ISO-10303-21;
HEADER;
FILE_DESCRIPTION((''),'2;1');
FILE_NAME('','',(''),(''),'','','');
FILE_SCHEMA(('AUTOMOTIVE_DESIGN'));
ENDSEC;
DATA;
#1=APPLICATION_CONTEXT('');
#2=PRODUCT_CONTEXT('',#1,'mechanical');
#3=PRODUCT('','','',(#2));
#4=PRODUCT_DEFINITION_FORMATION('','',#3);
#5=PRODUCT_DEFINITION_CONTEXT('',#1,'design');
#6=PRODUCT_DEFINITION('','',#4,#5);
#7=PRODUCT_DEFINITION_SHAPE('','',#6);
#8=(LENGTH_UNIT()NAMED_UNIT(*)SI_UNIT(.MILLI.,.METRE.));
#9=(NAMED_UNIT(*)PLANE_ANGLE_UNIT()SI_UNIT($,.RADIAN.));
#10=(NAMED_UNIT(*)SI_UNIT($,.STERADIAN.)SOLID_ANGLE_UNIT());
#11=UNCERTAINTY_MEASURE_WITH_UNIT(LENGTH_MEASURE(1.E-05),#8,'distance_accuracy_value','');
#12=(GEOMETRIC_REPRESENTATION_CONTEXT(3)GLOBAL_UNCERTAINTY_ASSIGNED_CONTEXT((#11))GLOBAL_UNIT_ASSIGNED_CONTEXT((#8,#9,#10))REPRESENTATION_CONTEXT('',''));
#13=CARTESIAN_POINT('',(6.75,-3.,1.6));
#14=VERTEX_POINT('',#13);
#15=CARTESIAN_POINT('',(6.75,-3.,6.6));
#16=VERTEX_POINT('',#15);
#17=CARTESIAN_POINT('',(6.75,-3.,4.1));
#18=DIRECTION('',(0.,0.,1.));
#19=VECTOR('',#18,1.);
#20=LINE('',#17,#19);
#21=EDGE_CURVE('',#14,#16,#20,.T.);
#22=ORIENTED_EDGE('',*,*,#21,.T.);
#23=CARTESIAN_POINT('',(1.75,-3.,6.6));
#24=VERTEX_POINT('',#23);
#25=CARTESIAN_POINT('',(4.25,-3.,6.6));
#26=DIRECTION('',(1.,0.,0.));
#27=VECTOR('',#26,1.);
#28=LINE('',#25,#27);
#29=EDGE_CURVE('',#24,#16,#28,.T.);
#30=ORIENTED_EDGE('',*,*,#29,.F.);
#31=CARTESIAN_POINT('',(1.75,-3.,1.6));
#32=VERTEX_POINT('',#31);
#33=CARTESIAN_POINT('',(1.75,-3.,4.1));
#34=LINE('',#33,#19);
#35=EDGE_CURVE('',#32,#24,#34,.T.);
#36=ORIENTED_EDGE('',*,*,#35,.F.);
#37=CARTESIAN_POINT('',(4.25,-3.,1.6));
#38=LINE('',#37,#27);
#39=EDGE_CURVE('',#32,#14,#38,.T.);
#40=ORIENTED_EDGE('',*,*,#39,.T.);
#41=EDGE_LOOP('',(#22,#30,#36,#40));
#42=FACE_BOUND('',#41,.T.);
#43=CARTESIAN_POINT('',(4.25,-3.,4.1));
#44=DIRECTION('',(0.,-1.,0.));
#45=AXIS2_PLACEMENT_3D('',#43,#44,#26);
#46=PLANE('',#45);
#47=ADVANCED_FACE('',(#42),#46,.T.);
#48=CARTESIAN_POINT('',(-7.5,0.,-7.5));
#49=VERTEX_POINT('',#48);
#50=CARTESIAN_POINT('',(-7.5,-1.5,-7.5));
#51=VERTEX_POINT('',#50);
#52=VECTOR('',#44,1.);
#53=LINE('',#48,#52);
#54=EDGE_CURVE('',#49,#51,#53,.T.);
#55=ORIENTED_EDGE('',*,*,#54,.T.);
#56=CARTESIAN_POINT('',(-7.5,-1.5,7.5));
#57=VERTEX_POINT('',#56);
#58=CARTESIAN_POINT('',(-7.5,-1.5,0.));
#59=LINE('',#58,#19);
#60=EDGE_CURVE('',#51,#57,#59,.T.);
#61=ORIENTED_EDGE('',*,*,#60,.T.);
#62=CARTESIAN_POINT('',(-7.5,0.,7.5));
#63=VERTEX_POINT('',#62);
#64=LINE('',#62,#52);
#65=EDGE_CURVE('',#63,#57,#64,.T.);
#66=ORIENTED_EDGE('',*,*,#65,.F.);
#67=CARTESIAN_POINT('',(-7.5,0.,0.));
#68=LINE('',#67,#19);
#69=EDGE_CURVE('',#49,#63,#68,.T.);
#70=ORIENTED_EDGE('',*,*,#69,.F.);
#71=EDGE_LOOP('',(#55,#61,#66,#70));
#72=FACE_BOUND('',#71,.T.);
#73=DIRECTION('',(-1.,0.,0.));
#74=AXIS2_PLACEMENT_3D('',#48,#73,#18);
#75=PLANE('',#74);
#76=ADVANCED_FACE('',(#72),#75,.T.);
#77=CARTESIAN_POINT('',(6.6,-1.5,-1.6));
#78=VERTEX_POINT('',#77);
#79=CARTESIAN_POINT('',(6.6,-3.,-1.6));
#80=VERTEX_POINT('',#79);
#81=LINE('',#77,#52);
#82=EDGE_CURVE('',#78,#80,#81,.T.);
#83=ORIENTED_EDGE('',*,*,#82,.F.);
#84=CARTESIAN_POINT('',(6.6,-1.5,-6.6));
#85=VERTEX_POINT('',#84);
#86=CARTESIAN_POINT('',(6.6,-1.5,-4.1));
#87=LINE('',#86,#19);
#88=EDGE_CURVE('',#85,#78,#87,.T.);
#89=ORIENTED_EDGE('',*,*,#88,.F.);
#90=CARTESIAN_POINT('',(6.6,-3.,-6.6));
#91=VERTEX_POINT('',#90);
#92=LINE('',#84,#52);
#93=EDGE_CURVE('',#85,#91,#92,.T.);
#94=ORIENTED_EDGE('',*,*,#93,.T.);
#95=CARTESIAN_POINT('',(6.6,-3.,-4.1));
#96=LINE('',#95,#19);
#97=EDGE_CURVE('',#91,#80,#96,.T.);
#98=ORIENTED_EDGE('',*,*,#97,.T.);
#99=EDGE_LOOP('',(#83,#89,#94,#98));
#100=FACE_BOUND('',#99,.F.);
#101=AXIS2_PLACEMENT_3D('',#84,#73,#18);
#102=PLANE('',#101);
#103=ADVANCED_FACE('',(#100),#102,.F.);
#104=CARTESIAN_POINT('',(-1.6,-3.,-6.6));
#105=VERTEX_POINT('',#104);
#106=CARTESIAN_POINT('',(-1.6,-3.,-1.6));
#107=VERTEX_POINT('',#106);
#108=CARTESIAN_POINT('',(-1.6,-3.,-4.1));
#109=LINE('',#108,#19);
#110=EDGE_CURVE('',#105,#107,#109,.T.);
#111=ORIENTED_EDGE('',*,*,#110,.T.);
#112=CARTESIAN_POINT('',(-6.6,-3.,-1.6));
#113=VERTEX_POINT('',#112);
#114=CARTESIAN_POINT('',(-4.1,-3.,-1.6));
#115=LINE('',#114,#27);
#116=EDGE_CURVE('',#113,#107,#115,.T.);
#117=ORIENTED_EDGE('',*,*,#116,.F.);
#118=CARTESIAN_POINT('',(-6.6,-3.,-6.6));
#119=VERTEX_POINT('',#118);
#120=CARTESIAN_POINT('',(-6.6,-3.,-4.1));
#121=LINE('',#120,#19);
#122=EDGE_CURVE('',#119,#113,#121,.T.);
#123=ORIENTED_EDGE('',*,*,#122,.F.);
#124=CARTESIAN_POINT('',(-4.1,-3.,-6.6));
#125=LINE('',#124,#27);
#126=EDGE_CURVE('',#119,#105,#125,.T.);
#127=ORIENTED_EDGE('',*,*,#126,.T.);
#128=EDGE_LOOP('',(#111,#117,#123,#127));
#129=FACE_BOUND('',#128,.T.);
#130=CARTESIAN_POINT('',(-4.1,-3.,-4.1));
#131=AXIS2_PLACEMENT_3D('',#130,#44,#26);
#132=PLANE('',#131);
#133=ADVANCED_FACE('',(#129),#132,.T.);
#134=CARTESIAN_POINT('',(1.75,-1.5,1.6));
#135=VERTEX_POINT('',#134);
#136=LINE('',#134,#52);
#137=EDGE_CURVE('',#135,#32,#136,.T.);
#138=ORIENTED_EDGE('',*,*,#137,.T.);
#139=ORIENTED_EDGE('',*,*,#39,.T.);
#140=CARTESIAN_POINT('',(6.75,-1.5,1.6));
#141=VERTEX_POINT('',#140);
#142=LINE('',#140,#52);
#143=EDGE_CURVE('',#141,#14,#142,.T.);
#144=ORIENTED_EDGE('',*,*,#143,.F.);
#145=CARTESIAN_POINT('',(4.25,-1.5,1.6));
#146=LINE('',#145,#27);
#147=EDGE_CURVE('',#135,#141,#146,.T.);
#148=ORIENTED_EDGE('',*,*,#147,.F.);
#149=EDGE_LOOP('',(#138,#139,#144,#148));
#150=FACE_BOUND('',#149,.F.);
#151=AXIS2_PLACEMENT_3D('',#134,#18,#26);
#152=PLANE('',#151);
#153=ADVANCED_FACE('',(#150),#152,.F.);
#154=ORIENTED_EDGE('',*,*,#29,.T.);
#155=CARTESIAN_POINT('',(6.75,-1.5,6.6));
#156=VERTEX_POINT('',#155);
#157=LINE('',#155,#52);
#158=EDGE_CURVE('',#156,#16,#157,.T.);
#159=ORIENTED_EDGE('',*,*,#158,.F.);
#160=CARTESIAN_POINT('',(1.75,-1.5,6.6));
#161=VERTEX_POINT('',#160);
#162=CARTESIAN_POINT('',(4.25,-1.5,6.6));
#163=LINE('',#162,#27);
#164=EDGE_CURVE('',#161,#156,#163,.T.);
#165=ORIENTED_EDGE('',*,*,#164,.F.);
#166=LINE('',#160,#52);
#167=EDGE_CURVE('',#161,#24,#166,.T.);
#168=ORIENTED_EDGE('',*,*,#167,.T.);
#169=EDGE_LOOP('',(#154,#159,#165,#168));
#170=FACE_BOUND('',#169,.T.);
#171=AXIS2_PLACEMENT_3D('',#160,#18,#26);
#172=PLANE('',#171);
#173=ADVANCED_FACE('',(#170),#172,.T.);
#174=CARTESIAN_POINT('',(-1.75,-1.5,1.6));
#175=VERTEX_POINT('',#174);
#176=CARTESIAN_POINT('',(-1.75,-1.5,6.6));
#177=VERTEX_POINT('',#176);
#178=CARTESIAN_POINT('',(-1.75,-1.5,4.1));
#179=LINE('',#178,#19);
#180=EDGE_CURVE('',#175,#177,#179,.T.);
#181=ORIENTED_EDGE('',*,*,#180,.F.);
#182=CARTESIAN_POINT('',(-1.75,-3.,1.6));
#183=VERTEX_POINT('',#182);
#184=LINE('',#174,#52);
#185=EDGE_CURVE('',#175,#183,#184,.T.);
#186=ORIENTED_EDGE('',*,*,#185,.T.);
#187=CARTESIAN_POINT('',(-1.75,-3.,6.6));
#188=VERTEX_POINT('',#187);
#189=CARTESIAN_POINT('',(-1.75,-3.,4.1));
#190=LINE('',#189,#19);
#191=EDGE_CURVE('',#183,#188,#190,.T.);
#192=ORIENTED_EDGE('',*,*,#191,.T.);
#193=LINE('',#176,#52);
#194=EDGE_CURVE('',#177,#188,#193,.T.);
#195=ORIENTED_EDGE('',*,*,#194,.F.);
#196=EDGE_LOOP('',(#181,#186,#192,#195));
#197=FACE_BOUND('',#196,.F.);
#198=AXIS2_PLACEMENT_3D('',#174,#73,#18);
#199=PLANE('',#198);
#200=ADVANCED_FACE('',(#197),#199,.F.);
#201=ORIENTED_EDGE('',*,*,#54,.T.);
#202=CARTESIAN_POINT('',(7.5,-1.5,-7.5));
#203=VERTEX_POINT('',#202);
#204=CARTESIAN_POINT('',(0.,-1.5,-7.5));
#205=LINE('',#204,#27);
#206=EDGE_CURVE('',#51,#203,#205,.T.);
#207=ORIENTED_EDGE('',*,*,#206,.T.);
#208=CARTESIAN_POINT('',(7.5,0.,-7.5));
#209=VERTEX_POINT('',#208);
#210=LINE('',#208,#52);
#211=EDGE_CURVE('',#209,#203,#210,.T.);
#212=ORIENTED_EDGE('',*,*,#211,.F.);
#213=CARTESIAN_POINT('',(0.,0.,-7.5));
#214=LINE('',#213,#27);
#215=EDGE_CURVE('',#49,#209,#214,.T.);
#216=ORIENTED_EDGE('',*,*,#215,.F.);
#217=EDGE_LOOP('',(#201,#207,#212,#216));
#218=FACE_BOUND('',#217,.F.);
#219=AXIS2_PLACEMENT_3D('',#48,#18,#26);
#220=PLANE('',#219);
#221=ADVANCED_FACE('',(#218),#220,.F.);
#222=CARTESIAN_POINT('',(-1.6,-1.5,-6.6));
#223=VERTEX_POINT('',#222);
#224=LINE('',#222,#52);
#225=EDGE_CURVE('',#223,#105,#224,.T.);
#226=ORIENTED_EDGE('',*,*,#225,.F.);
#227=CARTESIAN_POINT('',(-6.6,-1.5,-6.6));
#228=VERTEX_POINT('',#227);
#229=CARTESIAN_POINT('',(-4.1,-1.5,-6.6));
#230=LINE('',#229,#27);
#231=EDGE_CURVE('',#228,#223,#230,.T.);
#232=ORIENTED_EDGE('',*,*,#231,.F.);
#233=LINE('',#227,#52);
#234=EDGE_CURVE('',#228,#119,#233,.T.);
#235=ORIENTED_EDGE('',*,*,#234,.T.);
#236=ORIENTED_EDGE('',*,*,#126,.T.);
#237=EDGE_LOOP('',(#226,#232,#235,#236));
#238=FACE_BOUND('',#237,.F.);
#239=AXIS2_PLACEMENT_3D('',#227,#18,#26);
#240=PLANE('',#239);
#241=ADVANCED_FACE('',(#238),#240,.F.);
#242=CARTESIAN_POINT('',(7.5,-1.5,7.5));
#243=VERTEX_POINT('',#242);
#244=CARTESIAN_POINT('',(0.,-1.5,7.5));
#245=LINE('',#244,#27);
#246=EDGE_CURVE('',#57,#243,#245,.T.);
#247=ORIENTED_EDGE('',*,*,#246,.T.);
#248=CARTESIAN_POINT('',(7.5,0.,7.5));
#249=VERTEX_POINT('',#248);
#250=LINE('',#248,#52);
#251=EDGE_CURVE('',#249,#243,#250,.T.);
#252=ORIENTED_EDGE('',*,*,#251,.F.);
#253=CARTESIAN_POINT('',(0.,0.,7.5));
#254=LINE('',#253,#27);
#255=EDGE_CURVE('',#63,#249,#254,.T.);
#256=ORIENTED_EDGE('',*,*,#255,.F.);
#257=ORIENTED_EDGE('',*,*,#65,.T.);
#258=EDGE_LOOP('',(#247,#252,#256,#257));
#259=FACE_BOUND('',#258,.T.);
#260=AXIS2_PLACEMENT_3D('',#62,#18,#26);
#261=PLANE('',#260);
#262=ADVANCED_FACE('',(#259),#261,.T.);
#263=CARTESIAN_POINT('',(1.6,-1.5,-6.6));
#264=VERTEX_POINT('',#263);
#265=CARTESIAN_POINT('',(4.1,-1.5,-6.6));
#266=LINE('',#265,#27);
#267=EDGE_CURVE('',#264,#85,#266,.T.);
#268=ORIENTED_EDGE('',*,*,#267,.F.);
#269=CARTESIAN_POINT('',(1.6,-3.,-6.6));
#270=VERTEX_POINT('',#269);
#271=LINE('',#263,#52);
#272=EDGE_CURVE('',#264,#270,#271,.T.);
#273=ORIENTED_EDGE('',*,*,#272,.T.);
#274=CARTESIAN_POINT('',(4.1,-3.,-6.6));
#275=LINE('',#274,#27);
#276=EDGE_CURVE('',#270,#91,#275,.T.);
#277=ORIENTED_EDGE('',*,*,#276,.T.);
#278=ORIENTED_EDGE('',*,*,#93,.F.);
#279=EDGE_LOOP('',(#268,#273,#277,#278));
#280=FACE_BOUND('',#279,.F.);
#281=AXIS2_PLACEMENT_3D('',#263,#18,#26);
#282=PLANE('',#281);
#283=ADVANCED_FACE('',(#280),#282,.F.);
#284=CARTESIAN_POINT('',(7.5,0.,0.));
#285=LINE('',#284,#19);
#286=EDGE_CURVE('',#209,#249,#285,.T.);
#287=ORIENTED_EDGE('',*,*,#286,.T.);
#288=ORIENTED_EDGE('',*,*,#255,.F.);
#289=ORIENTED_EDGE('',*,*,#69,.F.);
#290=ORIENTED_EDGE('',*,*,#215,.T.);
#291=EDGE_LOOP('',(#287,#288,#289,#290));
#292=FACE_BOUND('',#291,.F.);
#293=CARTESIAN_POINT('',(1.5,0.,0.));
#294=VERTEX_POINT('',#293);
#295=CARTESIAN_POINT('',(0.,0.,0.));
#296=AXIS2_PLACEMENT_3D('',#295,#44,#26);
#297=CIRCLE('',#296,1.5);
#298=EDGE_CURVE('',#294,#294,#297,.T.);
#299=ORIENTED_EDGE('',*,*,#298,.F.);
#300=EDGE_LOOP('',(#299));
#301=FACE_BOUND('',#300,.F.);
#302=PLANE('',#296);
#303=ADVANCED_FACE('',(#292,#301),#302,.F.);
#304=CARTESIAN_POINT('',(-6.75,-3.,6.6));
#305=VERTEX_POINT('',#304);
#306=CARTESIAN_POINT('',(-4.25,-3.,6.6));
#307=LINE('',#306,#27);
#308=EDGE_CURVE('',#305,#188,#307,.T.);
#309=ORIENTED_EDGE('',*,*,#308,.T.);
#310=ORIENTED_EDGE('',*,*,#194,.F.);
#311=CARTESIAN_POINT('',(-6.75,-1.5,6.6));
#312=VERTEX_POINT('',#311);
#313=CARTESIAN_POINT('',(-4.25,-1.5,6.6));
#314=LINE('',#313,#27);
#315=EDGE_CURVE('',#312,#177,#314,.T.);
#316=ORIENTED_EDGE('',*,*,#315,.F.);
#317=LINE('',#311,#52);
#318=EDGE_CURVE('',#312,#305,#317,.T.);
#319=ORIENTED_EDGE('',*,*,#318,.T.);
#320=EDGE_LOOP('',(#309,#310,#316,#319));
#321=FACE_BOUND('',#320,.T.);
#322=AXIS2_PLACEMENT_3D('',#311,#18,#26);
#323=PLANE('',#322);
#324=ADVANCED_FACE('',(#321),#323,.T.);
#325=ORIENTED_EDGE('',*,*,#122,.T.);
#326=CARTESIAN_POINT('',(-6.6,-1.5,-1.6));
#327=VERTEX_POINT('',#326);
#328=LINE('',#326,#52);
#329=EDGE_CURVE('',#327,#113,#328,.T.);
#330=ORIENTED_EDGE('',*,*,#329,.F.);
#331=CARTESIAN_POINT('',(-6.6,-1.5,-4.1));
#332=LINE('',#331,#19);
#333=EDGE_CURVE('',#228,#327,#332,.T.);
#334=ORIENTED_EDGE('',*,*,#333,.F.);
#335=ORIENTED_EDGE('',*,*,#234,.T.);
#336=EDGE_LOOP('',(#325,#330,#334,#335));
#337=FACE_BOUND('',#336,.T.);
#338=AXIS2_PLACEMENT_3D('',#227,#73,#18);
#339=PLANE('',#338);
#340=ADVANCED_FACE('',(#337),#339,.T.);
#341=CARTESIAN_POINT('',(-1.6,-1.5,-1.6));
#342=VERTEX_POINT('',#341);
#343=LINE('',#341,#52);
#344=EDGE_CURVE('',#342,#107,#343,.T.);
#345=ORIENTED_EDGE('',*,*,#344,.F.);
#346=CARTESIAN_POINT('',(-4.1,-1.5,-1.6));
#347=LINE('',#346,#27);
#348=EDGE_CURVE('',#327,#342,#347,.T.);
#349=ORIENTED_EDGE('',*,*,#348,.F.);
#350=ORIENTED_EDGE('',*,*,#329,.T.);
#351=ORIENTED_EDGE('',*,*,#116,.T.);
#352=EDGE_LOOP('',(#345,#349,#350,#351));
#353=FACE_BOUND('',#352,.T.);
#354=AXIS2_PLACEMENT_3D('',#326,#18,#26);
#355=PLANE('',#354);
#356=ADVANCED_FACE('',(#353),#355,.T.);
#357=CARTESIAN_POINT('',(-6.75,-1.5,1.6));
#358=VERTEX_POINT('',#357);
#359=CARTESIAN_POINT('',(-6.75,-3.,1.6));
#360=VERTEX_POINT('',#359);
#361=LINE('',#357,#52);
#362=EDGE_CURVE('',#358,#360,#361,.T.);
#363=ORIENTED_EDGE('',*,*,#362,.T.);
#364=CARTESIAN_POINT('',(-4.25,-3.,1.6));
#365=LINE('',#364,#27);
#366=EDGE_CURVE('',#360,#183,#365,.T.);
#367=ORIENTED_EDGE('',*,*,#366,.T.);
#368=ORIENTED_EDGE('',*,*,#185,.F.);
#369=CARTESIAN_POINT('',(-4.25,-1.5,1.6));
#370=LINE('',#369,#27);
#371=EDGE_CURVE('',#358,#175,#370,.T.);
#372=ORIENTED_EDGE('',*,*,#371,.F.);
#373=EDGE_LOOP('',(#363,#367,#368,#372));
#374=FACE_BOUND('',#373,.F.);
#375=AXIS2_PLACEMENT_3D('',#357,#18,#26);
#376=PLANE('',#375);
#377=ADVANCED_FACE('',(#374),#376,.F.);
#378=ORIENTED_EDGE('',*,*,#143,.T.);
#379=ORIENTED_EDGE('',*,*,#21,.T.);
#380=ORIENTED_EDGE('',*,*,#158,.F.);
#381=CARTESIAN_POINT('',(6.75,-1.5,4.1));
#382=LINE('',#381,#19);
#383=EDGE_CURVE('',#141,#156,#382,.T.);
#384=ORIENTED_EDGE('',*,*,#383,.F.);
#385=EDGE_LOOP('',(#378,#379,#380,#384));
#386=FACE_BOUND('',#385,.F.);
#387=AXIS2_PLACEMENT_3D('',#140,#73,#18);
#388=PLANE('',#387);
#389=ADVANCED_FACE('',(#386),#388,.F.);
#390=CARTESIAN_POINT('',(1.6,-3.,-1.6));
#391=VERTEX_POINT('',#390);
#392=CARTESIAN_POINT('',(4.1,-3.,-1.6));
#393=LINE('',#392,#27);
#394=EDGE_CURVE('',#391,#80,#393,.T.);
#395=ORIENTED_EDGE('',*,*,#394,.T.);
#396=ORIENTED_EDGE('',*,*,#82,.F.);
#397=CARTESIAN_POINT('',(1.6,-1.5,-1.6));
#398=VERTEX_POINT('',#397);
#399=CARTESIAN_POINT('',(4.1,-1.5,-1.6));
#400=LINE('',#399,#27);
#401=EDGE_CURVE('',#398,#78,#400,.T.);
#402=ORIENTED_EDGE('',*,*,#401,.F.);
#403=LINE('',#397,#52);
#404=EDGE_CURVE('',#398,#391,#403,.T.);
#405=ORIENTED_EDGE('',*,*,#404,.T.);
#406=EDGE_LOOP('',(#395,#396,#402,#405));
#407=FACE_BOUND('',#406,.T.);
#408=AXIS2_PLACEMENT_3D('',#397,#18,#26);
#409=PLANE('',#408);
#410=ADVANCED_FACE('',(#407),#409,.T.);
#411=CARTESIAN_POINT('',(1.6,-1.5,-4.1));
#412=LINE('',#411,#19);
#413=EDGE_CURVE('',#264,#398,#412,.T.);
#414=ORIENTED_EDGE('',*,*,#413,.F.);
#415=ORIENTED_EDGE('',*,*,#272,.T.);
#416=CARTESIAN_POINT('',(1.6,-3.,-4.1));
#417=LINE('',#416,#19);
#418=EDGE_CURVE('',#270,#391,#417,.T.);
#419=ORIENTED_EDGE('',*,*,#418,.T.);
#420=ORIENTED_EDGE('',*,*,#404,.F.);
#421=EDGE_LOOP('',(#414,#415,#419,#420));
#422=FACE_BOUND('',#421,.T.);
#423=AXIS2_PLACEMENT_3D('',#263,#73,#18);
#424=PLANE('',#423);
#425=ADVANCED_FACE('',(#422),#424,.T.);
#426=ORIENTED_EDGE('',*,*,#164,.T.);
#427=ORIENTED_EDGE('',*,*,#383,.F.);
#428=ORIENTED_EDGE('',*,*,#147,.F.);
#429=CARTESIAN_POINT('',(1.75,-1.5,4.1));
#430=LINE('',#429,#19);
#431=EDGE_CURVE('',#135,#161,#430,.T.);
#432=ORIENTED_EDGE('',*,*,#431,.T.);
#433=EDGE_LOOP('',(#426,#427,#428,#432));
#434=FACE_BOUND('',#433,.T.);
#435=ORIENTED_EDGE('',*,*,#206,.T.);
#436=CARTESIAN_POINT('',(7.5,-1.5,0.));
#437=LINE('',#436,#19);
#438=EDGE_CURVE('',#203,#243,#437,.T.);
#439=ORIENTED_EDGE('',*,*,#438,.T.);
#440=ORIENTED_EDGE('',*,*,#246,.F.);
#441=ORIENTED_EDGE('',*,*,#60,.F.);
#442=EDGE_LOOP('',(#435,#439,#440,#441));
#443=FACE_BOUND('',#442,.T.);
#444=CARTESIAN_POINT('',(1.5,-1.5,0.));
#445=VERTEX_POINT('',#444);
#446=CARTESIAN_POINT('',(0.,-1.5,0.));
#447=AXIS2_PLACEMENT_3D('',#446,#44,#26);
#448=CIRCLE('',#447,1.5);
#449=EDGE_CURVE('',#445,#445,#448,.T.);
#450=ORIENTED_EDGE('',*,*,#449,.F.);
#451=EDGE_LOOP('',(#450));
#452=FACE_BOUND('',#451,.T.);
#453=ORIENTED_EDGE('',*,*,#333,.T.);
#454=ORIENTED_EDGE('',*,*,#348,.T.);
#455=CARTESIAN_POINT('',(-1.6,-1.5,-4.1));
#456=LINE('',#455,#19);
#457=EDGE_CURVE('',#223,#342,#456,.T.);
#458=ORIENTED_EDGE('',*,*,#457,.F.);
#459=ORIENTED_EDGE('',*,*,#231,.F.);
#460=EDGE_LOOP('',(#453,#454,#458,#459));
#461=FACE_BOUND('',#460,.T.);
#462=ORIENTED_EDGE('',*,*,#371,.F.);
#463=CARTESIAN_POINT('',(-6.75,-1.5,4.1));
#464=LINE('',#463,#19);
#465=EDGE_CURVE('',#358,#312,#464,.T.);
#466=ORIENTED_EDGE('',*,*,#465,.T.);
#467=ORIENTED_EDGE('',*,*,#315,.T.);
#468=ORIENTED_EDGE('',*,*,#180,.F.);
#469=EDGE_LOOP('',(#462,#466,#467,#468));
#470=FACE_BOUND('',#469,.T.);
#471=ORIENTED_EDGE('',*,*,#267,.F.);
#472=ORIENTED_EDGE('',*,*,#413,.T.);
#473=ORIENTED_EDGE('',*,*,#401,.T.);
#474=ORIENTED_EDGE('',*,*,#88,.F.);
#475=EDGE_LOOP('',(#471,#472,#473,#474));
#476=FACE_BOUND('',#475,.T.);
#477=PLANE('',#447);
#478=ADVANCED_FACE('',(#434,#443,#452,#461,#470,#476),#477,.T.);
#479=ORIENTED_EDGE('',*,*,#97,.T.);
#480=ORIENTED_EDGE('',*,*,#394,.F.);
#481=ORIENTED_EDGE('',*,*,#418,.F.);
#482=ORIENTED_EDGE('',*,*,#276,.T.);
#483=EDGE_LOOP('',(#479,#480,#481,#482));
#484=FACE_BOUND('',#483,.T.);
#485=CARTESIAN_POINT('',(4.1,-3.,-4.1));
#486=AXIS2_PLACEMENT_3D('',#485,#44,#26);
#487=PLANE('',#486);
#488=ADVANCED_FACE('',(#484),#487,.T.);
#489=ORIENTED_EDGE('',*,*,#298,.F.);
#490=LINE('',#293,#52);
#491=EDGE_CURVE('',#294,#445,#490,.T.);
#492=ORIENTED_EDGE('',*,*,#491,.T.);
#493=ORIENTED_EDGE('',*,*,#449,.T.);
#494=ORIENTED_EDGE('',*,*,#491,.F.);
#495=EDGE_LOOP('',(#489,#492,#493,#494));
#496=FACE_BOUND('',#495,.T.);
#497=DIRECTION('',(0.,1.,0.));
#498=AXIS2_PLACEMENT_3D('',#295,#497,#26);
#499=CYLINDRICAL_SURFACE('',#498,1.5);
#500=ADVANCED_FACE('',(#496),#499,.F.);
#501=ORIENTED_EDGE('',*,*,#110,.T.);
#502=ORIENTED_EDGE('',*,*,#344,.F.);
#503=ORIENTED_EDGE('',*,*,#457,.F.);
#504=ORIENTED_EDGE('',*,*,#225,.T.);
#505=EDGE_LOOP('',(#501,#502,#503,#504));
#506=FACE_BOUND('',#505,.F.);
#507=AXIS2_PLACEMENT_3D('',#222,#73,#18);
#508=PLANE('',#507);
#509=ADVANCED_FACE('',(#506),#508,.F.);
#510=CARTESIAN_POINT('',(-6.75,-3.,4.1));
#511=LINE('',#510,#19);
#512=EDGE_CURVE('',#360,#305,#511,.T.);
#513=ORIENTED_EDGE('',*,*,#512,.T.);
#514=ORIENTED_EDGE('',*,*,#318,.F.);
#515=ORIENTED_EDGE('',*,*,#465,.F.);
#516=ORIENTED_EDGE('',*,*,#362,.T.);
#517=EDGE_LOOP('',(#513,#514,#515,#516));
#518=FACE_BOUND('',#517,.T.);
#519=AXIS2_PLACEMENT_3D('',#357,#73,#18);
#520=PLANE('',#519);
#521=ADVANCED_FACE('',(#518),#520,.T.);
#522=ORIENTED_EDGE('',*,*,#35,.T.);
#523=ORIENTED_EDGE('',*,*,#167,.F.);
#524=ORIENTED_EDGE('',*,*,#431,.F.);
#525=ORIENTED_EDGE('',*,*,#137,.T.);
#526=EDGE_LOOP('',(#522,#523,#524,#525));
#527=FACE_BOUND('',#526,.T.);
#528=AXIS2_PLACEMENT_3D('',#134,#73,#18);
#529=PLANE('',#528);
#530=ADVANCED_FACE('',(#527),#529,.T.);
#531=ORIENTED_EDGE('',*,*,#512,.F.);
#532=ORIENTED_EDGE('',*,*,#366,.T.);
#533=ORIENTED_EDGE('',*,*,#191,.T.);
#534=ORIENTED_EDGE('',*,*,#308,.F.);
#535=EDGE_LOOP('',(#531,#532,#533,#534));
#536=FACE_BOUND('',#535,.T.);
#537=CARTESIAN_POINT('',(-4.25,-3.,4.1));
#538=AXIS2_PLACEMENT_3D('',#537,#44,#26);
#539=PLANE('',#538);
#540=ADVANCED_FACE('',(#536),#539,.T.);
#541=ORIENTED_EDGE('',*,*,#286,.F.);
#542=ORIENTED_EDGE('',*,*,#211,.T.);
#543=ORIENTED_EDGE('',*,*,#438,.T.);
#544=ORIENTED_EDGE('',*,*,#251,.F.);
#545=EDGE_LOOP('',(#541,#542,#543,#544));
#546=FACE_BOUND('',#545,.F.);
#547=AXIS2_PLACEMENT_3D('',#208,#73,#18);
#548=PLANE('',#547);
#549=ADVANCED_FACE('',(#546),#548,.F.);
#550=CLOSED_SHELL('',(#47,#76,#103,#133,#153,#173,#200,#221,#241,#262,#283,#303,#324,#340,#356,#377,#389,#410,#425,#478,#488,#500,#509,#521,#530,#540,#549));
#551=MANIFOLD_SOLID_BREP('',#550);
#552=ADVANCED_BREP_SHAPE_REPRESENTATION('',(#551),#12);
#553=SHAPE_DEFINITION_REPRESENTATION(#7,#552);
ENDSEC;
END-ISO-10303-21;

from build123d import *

# Parameters (mm, degrees)
F0_W     = 15
F0_H     = 15
F0_R     = 1.5
F1_DEPTH = 1.5
F2_W     = 5
F2_H     = 5
F3_DEPTH = 1.5


with BuildPart() as f1:
    # F0 (on Front) → F1 (new body)
    with BuildSketch(Plane.XZ):
        Rectangle(F0_W, F0_H)
        Circle(F0_R, mode=Mode.SUBTRACT)
    extrude(amount=F1_DEPTH)

    # F2 (on face) → F3 (join)
    with BuildSketch(Plane.XZ.offset(1.5)):
        with Locations((-4.25, 4.1)):
            Rectangle(F2_W, F2_H)
        with Locations((4.25, 4.1)):
            Rectangle(F2_W, F2_H)
        with Locations((-4.1, -4.1)):
            Rectangle(F2_W, F2_H)
        with Locations((4.1, -4.1)):
            Rectangle(F2_W, F2_H)
    extrude(amount=F3_DEPTH)


solid = f1.part
